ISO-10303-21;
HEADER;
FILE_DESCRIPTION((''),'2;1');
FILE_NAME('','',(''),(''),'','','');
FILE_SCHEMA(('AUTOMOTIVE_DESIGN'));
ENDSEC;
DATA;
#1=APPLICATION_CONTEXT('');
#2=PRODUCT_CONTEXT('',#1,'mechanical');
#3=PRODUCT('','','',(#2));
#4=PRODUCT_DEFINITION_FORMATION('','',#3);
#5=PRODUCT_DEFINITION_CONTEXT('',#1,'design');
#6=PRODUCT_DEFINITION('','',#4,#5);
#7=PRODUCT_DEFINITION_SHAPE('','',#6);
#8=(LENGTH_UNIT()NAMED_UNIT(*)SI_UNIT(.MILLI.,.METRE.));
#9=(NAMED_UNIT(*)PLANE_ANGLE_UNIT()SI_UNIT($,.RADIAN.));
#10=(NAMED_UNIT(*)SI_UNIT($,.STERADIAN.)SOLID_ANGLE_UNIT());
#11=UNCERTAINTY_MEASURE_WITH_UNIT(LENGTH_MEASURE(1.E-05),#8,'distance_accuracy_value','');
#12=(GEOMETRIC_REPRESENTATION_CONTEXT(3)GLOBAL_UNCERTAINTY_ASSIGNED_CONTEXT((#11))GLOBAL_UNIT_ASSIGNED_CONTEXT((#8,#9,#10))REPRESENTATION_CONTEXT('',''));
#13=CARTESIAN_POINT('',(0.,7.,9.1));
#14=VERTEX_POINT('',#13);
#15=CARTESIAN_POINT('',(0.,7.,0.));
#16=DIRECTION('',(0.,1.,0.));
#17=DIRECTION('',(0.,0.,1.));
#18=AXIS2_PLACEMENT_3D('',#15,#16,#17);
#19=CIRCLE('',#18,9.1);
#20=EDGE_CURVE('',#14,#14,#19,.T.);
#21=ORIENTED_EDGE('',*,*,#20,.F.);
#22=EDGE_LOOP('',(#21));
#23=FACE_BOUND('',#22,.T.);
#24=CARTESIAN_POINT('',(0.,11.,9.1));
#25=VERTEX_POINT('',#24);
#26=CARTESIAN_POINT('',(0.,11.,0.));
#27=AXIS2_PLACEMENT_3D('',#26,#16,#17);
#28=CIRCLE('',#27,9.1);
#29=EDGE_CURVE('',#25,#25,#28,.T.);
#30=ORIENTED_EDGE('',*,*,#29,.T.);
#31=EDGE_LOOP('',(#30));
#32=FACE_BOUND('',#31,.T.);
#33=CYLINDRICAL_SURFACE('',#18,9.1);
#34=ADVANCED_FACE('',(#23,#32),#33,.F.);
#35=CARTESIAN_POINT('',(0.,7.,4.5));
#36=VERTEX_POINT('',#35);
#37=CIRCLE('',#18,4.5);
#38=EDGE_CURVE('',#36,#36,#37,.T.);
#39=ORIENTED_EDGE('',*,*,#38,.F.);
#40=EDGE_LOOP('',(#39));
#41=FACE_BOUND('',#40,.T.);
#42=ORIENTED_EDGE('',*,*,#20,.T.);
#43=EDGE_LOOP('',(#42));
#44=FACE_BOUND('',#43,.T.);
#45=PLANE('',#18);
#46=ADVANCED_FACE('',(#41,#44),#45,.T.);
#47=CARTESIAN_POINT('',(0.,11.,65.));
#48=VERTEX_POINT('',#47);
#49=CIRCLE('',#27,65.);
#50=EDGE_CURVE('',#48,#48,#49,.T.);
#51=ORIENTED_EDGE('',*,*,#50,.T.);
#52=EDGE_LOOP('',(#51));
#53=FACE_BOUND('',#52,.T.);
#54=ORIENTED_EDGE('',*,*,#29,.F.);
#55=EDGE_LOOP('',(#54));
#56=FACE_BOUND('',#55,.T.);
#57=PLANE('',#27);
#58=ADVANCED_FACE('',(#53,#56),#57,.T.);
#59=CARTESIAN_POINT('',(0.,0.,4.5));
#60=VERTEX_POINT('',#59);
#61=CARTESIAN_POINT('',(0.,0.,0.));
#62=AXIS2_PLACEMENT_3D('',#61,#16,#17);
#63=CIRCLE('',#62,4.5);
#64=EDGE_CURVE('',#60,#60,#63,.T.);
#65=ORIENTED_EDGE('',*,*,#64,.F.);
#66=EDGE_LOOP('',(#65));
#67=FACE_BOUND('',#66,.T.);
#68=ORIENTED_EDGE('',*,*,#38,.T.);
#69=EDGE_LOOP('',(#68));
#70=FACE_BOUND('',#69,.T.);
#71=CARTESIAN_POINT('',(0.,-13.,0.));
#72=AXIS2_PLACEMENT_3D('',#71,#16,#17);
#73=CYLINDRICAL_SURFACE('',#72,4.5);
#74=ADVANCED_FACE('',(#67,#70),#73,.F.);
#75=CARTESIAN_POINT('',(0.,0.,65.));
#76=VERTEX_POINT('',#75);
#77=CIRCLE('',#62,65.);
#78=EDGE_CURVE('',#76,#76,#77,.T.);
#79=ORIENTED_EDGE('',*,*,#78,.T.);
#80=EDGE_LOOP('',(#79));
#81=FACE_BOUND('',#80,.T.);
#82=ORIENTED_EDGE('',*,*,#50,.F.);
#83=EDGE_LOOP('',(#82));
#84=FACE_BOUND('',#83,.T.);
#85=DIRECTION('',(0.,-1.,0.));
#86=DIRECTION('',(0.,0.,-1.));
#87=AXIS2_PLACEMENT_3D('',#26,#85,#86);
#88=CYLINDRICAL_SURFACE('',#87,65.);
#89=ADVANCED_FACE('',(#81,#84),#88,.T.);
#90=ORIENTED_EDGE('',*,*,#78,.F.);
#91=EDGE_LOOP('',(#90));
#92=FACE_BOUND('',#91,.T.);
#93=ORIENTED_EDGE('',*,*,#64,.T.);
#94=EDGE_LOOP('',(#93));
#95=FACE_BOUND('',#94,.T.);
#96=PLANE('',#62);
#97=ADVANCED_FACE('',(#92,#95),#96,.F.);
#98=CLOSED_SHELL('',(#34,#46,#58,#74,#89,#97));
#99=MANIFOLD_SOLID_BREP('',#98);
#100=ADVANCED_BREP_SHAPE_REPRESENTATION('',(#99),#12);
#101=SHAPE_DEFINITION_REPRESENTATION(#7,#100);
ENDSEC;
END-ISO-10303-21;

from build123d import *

# Parameters (mm, degrees)
SKETCH2_R           = 65
BOSS_EXTRUDE1_DEPTH = 11
SKETCH3_R           = 9.1
CUT_EXTRUDE2_DEPTH  = 4
SKETCH4_R           = 4.5
CUT_EXTRUDE4_DEPTH  = 20


with BuildPart() as part:
    # Sketch2 → Boss-Extrude1 (new body)
    with BuildSketch(Plane(origin=(0, 0, 0), x_dir=(1, 0, 0), z_dir=(0, 1, 0))):
        Circle(SKETCH2_R)
    extrude(amount=BOSS_EXTRUDE1_DEPTH)

    # Sketch3 → Cut-Extrude2 (cut)
    with BuildSketch(Plane(origin=(0, 11, 0), x_dir=(1, 0, 0), z_dir=(0, 1, 0))):
        Circle(SKETCH3_R)
    extrude(amount=-CUT_EXTRUDE2_DEPTH, mode=Mode.SUBTRACT)

    # Sketch4 → Cut-Extrude4 (cut)
    with BuildSketch(Plane(origin=(0, 7, 0), x_dir=(1, 0, 0), z_dir=(0, 1, 0))):
        Circle(SKETCH4_R)
    extrude(amount=-CUT_EXTRUDE4_DEPTH, mode=Mode.SUBTRACT)


solid = part.part
